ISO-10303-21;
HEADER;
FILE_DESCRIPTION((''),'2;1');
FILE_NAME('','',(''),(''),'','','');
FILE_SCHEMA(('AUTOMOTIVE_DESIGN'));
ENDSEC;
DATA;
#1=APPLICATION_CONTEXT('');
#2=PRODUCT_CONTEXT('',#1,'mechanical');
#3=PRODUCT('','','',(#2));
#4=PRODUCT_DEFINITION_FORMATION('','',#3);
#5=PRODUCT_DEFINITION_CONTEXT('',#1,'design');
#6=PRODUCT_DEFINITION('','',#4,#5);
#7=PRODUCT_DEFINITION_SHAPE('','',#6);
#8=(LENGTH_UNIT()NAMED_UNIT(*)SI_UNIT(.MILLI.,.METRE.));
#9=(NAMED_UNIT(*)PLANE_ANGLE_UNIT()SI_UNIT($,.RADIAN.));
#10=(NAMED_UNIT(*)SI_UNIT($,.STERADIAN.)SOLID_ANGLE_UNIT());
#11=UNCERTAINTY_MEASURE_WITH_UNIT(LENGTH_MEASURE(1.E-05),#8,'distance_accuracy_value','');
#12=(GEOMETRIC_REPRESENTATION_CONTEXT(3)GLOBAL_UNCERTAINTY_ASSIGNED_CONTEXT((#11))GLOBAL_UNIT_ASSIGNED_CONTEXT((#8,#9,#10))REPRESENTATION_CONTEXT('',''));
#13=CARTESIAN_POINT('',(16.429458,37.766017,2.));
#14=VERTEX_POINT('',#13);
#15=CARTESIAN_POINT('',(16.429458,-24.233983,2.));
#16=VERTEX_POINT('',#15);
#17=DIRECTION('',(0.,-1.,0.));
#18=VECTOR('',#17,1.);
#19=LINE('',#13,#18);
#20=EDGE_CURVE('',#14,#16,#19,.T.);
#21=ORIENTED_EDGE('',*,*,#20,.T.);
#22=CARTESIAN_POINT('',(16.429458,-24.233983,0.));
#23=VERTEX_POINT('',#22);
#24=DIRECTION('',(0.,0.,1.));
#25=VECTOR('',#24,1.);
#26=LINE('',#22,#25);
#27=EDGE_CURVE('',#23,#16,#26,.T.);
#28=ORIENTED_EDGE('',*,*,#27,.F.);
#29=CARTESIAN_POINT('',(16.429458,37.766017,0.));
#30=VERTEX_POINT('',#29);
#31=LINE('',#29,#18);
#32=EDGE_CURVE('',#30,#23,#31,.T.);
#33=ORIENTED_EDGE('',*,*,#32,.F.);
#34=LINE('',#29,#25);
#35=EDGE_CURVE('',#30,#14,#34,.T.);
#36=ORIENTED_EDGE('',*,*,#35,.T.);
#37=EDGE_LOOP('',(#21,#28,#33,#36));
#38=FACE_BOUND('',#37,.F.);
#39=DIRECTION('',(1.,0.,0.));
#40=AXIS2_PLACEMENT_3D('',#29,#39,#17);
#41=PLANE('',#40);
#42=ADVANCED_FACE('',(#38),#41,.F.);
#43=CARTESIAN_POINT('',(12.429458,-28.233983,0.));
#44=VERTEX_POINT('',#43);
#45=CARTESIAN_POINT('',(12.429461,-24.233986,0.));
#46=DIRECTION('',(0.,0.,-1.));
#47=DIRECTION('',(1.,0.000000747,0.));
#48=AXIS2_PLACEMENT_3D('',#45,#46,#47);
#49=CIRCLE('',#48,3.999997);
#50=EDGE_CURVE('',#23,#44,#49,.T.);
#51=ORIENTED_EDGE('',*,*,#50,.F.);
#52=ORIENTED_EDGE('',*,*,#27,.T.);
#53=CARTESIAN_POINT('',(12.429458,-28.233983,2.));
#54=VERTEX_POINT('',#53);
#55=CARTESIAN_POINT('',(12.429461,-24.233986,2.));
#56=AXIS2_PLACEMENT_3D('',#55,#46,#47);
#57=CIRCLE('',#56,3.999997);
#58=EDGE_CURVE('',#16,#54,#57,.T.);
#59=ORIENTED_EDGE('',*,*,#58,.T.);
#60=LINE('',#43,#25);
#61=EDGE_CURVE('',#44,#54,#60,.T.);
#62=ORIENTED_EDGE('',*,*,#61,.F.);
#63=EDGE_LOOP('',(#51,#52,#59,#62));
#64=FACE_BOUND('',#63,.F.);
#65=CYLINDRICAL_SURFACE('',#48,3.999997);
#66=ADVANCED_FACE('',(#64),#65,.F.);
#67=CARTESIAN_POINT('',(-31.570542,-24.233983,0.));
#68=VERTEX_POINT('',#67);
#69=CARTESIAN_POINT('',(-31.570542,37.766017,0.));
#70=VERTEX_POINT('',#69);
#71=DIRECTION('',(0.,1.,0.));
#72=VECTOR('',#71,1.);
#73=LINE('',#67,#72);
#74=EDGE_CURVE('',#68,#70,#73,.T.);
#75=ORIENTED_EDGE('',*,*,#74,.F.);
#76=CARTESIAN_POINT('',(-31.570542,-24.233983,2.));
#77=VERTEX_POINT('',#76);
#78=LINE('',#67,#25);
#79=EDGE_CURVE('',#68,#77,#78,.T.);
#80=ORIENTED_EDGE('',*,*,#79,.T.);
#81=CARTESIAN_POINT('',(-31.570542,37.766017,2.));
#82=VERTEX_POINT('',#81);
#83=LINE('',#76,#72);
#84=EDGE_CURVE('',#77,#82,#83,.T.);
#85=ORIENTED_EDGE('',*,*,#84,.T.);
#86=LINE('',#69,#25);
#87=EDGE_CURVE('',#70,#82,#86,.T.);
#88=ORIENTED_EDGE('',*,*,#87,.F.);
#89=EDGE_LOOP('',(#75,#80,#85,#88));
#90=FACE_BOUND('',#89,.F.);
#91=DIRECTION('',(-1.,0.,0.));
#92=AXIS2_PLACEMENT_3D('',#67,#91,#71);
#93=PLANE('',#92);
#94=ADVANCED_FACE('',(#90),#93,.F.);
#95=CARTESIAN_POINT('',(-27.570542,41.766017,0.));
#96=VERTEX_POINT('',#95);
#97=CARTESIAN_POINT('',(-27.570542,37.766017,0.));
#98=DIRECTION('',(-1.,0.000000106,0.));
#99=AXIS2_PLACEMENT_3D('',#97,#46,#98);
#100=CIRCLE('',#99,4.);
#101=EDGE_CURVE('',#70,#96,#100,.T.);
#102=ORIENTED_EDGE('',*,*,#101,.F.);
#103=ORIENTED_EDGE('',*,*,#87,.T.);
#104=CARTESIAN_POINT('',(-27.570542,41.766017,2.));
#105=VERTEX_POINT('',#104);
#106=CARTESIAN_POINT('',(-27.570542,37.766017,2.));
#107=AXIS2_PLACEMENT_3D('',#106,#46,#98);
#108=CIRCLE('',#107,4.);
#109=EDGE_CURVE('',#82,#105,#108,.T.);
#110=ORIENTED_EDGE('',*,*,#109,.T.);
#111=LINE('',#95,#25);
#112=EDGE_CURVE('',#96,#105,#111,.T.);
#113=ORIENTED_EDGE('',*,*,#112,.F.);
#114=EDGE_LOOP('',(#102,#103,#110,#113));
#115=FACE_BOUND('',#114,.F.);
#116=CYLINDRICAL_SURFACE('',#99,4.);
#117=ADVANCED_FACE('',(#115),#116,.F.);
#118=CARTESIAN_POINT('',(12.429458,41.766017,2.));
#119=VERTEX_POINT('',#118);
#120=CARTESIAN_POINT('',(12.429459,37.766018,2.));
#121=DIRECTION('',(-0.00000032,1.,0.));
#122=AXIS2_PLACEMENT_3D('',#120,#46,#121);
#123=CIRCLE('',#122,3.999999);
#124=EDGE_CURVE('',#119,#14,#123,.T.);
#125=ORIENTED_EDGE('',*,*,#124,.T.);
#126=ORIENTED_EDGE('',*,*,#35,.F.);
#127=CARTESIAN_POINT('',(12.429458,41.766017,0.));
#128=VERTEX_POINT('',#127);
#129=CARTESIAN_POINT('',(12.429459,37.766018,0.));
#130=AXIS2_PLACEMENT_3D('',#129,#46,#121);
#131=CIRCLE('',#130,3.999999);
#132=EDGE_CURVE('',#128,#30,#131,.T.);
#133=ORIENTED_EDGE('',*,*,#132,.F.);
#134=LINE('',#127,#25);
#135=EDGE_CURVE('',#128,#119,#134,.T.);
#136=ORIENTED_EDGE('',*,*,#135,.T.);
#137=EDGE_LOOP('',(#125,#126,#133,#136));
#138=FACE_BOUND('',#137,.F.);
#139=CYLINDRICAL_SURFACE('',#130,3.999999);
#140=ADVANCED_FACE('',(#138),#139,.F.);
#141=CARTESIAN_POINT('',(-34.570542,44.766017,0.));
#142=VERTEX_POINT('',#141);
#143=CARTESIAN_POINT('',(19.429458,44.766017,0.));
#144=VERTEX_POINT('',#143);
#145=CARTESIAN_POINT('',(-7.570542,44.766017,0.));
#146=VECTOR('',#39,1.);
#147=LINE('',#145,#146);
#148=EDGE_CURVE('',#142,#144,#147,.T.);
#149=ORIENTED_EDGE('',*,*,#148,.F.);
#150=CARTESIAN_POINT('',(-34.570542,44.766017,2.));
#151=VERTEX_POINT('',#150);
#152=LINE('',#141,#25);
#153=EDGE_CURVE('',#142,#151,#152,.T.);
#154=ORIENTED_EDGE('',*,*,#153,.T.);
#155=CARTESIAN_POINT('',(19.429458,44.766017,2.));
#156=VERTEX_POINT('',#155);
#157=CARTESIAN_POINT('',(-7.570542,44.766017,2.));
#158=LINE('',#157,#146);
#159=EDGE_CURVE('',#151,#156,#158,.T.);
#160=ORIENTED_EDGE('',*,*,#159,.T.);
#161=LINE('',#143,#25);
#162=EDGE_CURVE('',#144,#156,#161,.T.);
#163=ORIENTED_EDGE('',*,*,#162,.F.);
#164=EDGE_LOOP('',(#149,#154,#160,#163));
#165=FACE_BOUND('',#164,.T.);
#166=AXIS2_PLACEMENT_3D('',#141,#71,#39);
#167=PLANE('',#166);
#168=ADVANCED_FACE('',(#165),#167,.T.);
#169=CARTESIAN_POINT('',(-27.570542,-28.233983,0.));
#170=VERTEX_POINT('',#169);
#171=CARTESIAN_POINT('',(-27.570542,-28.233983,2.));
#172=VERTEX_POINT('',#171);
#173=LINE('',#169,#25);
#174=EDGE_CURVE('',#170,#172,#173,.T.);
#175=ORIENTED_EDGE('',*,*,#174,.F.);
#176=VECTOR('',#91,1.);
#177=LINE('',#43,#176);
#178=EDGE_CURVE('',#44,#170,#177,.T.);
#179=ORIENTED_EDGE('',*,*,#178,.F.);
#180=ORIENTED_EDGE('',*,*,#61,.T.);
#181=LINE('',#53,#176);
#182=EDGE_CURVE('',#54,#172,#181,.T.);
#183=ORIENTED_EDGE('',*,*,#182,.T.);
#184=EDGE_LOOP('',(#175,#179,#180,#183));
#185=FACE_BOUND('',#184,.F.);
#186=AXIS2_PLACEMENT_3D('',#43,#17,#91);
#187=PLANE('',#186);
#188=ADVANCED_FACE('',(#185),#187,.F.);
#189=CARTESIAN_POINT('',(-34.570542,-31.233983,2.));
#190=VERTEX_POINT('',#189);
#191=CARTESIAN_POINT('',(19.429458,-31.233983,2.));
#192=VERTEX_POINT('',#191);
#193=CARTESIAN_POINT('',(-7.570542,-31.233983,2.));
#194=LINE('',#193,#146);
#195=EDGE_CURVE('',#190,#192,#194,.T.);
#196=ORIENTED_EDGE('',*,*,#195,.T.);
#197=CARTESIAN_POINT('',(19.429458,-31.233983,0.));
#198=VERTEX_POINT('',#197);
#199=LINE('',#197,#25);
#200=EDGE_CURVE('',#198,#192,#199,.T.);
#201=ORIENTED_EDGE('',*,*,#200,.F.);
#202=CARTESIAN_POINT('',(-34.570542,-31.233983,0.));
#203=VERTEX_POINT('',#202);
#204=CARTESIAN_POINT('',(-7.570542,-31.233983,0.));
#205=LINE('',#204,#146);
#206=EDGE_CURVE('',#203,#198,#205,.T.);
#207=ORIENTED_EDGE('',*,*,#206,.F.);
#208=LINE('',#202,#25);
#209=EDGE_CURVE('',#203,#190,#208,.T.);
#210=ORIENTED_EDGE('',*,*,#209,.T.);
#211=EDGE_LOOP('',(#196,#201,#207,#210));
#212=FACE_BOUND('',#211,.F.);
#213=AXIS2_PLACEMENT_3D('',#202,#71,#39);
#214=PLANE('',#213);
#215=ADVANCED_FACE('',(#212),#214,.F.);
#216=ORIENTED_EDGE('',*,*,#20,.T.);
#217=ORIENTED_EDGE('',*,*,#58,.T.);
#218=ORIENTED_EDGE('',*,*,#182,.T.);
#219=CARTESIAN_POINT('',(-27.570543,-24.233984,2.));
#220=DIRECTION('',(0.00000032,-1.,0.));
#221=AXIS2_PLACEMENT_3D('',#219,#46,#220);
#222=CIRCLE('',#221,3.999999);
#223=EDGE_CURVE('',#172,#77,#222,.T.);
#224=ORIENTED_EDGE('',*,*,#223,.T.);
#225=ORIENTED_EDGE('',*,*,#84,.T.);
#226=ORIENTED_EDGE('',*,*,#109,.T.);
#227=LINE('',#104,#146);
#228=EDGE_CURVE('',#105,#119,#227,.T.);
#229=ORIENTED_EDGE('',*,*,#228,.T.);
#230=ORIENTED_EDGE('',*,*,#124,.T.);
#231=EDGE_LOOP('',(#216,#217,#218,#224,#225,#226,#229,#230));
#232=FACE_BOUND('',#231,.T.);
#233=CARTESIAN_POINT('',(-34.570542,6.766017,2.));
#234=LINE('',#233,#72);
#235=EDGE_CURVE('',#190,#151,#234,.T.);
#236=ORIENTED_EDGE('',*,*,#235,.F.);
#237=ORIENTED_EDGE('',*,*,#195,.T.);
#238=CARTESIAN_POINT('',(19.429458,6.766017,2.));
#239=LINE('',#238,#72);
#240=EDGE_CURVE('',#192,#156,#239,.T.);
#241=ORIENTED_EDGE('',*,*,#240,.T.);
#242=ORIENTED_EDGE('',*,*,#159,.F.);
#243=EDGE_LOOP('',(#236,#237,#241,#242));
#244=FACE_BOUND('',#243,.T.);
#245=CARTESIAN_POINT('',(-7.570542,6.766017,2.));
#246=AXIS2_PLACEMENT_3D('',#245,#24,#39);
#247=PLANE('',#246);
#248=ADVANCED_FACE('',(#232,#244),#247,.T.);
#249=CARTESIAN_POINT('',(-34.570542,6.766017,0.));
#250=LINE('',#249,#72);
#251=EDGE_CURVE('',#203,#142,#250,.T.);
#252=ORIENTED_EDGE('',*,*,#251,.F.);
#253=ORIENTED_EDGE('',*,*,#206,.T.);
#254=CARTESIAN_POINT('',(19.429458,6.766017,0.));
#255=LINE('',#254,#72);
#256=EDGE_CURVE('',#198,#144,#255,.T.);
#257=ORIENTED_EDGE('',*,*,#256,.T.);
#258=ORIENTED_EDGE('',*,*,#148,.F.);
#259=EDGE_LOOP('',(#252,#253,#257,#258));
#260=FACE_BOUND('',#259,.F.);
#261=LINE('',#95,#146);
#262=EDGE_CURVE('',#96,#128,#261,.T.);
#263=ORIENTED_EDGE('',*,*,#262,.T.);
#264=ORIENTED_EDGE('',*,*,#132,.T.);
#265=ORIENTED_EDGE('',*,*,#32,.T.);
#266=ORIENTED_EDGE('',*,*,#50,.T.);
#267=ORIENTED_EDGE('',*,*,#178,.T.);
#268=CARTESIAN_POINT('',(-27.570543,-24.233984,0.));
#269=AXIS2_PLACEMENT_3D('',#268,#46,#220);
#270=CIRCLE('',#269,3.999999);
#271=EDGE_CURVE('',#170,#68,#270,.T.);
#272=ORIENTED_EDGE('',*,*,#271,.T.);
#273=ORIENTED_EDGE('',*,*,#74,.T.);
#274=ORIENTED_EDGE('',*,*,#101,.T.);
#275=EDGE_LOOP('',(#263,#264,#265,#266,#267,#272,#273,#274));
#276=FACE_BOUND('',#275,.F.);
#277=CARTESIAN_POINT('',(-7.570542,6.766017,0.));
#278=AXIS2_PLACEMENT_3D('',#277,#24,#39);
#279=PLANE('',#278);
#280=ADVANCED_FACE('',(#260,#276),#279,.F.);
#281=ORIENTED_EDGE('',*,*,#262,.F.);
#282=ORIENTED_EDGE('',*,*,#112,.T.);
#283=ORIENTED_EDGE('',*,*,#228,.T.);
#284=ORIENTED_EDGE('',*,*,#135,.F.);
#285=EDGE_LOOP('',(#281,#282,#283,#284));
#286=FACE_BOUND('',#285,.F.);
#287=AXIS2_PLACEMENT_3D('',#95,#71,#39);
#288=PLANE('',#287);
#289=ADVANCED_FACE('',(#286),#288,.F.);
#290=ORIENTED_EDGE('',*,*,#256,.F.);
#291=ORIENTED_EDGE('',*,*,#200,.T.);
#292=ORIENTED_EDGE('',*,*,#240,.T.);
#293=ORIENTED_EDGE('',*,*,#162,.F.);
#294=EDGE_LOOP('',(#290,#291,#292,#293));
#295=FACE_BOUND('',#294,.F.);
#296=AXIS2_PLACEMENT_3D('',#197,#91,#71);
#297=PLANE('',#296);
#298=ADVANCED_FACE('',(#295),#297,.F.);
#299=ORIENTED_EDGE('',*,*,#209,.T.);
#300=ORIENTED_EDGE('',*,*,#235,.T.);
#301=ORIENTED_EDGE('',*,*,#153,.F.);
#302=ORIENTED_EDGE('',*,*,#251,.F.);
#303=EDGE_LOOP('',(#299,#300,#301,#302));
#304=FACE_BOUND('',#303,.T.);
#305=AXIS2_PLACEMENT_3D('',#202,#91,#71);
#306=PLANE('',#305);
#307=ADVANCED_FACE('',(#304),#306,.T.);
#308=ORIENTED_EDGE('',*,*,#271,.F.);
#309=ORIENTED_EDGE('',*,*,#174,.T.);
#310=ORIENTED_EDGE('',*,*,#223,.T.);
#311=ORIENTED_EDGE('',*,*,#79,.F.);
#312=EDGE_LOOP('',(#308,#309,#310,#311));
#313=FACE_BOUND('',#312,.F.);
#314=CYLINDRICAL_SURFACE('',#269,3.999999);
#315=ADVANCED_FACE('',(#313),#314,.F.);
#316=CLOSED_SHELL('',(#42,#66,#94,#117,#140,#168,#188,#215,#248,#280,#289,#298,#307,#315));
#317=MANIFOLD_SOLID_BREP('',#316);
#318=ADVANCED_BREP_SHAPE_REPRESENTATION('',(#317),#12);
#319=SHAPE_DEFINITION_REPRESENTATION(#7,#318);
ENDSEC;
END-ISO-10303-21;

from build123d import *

# Parameters (mm, degrees)
F0_W     = 54
F0_H     = 76
F1_DEPTH = 2


with BuildPart() as f1:
    # F0 (on Top) → F1 (new body)
    with BuildSketch(Plane.XY):
        with Locations((-7.570542, 6.766017)):
            Rectangle(F0_W, F0_H)
        with BuildLine():
            ThreePointArc((-31.570542, 37.766017), (-30.398969, 40.594444), (-27.570542, 41.766017))
            Line((-27.570542, 41.766017), (12.429458, 41.766017))
            ThreePointArc((12.429458, 41.766017), (15.257886, 40.594444), (16.429458, 37.766017))
            Line((16.429458, 37.766017), (16.429458, -24.233983))
            ThreePointArc((16.429458, -24.233983), (15.257886, -27.062411), (12.429458, -28.233983))
            Line((12.429458, -28.233983), (-27.570542, -28.233983))
            ThreePointArc((-27.570542, -28.233983), (-30.398969, -27.062411), (-31.570542, -24.233983))
            Line((-31.570542, -24.233983), (-31.570542, 37.766017))
        make_face(mode=Mode.SUBTRACT)
    extrude(amount=F1_DEPTH)


solid = f1.part
